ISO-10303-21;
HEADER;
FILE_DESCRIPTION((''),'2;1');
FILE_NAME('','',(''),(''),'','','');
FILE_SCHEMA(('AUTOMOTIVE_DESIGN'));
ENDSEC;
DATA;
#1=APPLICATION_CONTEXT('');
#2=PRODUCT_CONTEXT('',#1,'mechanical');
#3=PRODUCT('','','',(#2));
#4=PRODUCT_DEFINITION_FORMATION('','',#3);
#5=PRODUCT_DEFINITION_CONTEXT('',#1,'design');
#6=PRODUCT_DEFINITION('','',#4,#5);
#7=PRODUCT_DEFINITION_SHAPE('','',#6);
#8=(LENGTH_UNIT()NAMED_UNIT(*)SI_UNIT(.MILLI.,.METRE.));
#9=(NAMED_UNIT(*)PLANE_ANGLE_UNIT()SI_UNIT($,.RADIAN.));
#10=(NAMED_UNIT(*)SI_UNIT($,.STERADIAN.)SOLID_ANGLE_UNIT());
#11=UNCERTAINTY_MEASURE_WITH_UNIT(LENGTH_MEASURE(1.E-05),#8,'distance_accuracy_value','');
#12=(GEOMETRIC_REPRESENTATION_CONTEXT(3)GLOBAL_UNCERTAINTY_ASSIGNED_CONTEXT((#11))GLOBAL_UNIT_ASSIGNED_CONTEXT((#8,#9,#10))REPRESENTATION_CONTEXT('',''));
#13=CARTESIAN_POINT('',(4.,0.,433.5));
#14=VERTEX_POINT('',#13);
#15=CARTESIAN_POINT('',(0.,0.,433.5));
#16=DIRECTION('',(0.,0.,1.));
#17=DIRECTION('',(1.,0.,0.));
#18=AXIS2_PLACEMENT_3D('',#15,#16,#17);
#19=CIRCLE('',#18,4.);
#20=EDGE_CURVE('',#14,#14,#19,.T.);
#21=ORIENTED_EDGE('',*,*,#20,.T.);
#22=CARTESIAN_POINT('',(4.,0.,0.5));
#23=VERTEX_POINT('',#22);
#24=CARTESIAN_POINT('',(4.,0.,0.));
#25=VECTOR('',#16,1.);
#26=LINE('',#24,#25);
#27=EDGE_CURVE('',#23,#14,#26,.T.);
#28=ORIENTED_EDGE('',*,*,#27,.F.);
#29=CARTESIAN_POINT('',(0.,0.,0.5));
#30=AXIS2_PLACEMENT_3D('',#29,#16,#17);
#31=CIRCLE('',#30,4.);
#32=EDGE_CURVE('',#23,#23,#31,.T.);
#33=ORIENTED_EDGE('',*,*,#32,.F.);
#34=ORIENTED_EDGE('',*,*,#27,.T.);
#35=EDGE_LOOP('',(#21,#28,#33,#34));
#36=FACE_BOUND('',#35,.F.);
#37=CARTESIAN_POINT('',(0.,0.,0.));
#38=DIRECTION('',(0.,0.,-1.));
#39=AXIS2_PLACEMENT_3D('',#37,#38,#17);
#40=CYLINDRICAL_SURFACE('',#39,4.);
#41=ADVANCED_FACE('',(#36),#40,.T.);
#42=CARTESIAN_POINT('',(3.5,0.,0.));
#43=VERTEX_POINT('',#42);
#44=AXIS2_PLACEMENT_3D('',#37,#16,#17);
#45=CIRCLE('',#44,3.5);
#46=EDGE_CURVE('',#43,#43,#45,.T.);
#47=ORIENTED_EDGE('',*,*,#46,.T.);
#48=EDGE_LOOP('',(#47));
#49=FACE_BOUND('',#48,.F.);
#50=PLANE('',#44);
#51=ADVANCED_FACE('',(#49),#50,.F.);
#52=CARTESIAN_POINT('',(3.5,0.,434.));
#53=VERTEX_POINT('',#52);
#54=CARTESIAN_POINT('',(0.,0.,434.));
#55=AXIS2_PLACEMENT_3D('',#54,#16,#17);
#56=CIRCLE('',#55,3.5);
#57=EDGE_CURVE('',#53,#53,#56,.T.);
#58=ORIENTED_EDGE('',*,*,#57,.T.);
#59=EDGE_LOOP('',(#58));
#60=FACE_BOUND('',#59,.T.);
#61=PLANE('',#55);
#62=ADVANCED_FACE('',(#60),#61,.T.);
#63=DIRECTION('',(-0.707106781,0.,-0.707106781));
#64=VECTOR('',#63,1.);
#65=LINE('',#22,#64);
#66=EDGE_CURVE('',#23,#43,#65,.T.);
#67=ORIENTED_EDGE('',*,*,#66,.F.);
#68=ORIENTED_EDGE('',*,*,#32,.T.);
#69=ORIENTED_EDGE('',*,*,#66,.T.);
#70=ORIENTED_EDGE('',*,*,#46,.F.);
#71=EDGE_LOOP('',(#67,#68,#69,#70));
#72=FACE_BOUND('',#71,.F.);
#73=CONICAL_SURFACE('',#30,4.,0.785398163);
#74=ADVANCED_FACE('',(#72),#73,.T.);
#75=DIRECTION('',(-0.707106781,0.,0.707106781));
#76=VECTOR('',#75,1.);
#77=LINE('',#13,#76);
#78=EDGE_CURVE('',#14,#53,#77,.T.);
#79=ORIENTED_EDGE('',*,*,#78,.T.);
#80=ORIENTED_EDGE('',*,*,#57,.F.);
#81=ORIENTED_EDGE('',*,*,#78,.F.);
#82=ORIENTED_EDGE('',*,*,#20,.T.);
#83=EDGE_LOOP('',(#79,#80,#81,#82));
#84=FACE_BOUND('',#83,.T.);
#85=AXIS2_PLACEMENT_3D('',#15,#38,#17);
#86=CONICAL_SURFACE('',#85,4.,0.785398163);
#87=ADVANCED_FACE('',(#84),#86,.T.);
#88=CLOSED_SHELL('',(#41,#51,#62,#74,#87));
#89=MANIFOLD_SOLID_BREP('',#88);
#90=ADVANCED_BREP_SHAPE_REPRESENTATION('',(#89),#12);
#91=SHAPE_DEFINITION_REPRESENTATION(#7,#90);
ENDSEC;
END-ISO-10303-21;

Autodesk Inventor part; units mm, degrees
ref_plane "YZ Plane" through (0, 0, 0) normal (1, 0, 0) x (0, 1, 0)
ref_plane "XZ Plane" through (0, 0, 0) normal (0, 1, 0) x (-1, 0, 0)
ref_plane "XY Plane" through (0, 0, 0) normal (0, 0, 1) x (1, 0, 0)
sketch "Sketch1" plane through (0, 0, 0) normal (0, 0, 1) x (1, 0, 0)
  circle A0 centre (0, 0) radius 4
  dimension "d0" = 8
extrude "Extrusion1" add sketch "Sketch1" along normal blind 434
chamfer "Chamfer1" distance 0.5 angle 45 2 edges at (-4, 0, 434) (-4, 0, 0)
properties part number "CUT_STEEL_8x434mm_Linear_rod" material "Stainless Steel"
